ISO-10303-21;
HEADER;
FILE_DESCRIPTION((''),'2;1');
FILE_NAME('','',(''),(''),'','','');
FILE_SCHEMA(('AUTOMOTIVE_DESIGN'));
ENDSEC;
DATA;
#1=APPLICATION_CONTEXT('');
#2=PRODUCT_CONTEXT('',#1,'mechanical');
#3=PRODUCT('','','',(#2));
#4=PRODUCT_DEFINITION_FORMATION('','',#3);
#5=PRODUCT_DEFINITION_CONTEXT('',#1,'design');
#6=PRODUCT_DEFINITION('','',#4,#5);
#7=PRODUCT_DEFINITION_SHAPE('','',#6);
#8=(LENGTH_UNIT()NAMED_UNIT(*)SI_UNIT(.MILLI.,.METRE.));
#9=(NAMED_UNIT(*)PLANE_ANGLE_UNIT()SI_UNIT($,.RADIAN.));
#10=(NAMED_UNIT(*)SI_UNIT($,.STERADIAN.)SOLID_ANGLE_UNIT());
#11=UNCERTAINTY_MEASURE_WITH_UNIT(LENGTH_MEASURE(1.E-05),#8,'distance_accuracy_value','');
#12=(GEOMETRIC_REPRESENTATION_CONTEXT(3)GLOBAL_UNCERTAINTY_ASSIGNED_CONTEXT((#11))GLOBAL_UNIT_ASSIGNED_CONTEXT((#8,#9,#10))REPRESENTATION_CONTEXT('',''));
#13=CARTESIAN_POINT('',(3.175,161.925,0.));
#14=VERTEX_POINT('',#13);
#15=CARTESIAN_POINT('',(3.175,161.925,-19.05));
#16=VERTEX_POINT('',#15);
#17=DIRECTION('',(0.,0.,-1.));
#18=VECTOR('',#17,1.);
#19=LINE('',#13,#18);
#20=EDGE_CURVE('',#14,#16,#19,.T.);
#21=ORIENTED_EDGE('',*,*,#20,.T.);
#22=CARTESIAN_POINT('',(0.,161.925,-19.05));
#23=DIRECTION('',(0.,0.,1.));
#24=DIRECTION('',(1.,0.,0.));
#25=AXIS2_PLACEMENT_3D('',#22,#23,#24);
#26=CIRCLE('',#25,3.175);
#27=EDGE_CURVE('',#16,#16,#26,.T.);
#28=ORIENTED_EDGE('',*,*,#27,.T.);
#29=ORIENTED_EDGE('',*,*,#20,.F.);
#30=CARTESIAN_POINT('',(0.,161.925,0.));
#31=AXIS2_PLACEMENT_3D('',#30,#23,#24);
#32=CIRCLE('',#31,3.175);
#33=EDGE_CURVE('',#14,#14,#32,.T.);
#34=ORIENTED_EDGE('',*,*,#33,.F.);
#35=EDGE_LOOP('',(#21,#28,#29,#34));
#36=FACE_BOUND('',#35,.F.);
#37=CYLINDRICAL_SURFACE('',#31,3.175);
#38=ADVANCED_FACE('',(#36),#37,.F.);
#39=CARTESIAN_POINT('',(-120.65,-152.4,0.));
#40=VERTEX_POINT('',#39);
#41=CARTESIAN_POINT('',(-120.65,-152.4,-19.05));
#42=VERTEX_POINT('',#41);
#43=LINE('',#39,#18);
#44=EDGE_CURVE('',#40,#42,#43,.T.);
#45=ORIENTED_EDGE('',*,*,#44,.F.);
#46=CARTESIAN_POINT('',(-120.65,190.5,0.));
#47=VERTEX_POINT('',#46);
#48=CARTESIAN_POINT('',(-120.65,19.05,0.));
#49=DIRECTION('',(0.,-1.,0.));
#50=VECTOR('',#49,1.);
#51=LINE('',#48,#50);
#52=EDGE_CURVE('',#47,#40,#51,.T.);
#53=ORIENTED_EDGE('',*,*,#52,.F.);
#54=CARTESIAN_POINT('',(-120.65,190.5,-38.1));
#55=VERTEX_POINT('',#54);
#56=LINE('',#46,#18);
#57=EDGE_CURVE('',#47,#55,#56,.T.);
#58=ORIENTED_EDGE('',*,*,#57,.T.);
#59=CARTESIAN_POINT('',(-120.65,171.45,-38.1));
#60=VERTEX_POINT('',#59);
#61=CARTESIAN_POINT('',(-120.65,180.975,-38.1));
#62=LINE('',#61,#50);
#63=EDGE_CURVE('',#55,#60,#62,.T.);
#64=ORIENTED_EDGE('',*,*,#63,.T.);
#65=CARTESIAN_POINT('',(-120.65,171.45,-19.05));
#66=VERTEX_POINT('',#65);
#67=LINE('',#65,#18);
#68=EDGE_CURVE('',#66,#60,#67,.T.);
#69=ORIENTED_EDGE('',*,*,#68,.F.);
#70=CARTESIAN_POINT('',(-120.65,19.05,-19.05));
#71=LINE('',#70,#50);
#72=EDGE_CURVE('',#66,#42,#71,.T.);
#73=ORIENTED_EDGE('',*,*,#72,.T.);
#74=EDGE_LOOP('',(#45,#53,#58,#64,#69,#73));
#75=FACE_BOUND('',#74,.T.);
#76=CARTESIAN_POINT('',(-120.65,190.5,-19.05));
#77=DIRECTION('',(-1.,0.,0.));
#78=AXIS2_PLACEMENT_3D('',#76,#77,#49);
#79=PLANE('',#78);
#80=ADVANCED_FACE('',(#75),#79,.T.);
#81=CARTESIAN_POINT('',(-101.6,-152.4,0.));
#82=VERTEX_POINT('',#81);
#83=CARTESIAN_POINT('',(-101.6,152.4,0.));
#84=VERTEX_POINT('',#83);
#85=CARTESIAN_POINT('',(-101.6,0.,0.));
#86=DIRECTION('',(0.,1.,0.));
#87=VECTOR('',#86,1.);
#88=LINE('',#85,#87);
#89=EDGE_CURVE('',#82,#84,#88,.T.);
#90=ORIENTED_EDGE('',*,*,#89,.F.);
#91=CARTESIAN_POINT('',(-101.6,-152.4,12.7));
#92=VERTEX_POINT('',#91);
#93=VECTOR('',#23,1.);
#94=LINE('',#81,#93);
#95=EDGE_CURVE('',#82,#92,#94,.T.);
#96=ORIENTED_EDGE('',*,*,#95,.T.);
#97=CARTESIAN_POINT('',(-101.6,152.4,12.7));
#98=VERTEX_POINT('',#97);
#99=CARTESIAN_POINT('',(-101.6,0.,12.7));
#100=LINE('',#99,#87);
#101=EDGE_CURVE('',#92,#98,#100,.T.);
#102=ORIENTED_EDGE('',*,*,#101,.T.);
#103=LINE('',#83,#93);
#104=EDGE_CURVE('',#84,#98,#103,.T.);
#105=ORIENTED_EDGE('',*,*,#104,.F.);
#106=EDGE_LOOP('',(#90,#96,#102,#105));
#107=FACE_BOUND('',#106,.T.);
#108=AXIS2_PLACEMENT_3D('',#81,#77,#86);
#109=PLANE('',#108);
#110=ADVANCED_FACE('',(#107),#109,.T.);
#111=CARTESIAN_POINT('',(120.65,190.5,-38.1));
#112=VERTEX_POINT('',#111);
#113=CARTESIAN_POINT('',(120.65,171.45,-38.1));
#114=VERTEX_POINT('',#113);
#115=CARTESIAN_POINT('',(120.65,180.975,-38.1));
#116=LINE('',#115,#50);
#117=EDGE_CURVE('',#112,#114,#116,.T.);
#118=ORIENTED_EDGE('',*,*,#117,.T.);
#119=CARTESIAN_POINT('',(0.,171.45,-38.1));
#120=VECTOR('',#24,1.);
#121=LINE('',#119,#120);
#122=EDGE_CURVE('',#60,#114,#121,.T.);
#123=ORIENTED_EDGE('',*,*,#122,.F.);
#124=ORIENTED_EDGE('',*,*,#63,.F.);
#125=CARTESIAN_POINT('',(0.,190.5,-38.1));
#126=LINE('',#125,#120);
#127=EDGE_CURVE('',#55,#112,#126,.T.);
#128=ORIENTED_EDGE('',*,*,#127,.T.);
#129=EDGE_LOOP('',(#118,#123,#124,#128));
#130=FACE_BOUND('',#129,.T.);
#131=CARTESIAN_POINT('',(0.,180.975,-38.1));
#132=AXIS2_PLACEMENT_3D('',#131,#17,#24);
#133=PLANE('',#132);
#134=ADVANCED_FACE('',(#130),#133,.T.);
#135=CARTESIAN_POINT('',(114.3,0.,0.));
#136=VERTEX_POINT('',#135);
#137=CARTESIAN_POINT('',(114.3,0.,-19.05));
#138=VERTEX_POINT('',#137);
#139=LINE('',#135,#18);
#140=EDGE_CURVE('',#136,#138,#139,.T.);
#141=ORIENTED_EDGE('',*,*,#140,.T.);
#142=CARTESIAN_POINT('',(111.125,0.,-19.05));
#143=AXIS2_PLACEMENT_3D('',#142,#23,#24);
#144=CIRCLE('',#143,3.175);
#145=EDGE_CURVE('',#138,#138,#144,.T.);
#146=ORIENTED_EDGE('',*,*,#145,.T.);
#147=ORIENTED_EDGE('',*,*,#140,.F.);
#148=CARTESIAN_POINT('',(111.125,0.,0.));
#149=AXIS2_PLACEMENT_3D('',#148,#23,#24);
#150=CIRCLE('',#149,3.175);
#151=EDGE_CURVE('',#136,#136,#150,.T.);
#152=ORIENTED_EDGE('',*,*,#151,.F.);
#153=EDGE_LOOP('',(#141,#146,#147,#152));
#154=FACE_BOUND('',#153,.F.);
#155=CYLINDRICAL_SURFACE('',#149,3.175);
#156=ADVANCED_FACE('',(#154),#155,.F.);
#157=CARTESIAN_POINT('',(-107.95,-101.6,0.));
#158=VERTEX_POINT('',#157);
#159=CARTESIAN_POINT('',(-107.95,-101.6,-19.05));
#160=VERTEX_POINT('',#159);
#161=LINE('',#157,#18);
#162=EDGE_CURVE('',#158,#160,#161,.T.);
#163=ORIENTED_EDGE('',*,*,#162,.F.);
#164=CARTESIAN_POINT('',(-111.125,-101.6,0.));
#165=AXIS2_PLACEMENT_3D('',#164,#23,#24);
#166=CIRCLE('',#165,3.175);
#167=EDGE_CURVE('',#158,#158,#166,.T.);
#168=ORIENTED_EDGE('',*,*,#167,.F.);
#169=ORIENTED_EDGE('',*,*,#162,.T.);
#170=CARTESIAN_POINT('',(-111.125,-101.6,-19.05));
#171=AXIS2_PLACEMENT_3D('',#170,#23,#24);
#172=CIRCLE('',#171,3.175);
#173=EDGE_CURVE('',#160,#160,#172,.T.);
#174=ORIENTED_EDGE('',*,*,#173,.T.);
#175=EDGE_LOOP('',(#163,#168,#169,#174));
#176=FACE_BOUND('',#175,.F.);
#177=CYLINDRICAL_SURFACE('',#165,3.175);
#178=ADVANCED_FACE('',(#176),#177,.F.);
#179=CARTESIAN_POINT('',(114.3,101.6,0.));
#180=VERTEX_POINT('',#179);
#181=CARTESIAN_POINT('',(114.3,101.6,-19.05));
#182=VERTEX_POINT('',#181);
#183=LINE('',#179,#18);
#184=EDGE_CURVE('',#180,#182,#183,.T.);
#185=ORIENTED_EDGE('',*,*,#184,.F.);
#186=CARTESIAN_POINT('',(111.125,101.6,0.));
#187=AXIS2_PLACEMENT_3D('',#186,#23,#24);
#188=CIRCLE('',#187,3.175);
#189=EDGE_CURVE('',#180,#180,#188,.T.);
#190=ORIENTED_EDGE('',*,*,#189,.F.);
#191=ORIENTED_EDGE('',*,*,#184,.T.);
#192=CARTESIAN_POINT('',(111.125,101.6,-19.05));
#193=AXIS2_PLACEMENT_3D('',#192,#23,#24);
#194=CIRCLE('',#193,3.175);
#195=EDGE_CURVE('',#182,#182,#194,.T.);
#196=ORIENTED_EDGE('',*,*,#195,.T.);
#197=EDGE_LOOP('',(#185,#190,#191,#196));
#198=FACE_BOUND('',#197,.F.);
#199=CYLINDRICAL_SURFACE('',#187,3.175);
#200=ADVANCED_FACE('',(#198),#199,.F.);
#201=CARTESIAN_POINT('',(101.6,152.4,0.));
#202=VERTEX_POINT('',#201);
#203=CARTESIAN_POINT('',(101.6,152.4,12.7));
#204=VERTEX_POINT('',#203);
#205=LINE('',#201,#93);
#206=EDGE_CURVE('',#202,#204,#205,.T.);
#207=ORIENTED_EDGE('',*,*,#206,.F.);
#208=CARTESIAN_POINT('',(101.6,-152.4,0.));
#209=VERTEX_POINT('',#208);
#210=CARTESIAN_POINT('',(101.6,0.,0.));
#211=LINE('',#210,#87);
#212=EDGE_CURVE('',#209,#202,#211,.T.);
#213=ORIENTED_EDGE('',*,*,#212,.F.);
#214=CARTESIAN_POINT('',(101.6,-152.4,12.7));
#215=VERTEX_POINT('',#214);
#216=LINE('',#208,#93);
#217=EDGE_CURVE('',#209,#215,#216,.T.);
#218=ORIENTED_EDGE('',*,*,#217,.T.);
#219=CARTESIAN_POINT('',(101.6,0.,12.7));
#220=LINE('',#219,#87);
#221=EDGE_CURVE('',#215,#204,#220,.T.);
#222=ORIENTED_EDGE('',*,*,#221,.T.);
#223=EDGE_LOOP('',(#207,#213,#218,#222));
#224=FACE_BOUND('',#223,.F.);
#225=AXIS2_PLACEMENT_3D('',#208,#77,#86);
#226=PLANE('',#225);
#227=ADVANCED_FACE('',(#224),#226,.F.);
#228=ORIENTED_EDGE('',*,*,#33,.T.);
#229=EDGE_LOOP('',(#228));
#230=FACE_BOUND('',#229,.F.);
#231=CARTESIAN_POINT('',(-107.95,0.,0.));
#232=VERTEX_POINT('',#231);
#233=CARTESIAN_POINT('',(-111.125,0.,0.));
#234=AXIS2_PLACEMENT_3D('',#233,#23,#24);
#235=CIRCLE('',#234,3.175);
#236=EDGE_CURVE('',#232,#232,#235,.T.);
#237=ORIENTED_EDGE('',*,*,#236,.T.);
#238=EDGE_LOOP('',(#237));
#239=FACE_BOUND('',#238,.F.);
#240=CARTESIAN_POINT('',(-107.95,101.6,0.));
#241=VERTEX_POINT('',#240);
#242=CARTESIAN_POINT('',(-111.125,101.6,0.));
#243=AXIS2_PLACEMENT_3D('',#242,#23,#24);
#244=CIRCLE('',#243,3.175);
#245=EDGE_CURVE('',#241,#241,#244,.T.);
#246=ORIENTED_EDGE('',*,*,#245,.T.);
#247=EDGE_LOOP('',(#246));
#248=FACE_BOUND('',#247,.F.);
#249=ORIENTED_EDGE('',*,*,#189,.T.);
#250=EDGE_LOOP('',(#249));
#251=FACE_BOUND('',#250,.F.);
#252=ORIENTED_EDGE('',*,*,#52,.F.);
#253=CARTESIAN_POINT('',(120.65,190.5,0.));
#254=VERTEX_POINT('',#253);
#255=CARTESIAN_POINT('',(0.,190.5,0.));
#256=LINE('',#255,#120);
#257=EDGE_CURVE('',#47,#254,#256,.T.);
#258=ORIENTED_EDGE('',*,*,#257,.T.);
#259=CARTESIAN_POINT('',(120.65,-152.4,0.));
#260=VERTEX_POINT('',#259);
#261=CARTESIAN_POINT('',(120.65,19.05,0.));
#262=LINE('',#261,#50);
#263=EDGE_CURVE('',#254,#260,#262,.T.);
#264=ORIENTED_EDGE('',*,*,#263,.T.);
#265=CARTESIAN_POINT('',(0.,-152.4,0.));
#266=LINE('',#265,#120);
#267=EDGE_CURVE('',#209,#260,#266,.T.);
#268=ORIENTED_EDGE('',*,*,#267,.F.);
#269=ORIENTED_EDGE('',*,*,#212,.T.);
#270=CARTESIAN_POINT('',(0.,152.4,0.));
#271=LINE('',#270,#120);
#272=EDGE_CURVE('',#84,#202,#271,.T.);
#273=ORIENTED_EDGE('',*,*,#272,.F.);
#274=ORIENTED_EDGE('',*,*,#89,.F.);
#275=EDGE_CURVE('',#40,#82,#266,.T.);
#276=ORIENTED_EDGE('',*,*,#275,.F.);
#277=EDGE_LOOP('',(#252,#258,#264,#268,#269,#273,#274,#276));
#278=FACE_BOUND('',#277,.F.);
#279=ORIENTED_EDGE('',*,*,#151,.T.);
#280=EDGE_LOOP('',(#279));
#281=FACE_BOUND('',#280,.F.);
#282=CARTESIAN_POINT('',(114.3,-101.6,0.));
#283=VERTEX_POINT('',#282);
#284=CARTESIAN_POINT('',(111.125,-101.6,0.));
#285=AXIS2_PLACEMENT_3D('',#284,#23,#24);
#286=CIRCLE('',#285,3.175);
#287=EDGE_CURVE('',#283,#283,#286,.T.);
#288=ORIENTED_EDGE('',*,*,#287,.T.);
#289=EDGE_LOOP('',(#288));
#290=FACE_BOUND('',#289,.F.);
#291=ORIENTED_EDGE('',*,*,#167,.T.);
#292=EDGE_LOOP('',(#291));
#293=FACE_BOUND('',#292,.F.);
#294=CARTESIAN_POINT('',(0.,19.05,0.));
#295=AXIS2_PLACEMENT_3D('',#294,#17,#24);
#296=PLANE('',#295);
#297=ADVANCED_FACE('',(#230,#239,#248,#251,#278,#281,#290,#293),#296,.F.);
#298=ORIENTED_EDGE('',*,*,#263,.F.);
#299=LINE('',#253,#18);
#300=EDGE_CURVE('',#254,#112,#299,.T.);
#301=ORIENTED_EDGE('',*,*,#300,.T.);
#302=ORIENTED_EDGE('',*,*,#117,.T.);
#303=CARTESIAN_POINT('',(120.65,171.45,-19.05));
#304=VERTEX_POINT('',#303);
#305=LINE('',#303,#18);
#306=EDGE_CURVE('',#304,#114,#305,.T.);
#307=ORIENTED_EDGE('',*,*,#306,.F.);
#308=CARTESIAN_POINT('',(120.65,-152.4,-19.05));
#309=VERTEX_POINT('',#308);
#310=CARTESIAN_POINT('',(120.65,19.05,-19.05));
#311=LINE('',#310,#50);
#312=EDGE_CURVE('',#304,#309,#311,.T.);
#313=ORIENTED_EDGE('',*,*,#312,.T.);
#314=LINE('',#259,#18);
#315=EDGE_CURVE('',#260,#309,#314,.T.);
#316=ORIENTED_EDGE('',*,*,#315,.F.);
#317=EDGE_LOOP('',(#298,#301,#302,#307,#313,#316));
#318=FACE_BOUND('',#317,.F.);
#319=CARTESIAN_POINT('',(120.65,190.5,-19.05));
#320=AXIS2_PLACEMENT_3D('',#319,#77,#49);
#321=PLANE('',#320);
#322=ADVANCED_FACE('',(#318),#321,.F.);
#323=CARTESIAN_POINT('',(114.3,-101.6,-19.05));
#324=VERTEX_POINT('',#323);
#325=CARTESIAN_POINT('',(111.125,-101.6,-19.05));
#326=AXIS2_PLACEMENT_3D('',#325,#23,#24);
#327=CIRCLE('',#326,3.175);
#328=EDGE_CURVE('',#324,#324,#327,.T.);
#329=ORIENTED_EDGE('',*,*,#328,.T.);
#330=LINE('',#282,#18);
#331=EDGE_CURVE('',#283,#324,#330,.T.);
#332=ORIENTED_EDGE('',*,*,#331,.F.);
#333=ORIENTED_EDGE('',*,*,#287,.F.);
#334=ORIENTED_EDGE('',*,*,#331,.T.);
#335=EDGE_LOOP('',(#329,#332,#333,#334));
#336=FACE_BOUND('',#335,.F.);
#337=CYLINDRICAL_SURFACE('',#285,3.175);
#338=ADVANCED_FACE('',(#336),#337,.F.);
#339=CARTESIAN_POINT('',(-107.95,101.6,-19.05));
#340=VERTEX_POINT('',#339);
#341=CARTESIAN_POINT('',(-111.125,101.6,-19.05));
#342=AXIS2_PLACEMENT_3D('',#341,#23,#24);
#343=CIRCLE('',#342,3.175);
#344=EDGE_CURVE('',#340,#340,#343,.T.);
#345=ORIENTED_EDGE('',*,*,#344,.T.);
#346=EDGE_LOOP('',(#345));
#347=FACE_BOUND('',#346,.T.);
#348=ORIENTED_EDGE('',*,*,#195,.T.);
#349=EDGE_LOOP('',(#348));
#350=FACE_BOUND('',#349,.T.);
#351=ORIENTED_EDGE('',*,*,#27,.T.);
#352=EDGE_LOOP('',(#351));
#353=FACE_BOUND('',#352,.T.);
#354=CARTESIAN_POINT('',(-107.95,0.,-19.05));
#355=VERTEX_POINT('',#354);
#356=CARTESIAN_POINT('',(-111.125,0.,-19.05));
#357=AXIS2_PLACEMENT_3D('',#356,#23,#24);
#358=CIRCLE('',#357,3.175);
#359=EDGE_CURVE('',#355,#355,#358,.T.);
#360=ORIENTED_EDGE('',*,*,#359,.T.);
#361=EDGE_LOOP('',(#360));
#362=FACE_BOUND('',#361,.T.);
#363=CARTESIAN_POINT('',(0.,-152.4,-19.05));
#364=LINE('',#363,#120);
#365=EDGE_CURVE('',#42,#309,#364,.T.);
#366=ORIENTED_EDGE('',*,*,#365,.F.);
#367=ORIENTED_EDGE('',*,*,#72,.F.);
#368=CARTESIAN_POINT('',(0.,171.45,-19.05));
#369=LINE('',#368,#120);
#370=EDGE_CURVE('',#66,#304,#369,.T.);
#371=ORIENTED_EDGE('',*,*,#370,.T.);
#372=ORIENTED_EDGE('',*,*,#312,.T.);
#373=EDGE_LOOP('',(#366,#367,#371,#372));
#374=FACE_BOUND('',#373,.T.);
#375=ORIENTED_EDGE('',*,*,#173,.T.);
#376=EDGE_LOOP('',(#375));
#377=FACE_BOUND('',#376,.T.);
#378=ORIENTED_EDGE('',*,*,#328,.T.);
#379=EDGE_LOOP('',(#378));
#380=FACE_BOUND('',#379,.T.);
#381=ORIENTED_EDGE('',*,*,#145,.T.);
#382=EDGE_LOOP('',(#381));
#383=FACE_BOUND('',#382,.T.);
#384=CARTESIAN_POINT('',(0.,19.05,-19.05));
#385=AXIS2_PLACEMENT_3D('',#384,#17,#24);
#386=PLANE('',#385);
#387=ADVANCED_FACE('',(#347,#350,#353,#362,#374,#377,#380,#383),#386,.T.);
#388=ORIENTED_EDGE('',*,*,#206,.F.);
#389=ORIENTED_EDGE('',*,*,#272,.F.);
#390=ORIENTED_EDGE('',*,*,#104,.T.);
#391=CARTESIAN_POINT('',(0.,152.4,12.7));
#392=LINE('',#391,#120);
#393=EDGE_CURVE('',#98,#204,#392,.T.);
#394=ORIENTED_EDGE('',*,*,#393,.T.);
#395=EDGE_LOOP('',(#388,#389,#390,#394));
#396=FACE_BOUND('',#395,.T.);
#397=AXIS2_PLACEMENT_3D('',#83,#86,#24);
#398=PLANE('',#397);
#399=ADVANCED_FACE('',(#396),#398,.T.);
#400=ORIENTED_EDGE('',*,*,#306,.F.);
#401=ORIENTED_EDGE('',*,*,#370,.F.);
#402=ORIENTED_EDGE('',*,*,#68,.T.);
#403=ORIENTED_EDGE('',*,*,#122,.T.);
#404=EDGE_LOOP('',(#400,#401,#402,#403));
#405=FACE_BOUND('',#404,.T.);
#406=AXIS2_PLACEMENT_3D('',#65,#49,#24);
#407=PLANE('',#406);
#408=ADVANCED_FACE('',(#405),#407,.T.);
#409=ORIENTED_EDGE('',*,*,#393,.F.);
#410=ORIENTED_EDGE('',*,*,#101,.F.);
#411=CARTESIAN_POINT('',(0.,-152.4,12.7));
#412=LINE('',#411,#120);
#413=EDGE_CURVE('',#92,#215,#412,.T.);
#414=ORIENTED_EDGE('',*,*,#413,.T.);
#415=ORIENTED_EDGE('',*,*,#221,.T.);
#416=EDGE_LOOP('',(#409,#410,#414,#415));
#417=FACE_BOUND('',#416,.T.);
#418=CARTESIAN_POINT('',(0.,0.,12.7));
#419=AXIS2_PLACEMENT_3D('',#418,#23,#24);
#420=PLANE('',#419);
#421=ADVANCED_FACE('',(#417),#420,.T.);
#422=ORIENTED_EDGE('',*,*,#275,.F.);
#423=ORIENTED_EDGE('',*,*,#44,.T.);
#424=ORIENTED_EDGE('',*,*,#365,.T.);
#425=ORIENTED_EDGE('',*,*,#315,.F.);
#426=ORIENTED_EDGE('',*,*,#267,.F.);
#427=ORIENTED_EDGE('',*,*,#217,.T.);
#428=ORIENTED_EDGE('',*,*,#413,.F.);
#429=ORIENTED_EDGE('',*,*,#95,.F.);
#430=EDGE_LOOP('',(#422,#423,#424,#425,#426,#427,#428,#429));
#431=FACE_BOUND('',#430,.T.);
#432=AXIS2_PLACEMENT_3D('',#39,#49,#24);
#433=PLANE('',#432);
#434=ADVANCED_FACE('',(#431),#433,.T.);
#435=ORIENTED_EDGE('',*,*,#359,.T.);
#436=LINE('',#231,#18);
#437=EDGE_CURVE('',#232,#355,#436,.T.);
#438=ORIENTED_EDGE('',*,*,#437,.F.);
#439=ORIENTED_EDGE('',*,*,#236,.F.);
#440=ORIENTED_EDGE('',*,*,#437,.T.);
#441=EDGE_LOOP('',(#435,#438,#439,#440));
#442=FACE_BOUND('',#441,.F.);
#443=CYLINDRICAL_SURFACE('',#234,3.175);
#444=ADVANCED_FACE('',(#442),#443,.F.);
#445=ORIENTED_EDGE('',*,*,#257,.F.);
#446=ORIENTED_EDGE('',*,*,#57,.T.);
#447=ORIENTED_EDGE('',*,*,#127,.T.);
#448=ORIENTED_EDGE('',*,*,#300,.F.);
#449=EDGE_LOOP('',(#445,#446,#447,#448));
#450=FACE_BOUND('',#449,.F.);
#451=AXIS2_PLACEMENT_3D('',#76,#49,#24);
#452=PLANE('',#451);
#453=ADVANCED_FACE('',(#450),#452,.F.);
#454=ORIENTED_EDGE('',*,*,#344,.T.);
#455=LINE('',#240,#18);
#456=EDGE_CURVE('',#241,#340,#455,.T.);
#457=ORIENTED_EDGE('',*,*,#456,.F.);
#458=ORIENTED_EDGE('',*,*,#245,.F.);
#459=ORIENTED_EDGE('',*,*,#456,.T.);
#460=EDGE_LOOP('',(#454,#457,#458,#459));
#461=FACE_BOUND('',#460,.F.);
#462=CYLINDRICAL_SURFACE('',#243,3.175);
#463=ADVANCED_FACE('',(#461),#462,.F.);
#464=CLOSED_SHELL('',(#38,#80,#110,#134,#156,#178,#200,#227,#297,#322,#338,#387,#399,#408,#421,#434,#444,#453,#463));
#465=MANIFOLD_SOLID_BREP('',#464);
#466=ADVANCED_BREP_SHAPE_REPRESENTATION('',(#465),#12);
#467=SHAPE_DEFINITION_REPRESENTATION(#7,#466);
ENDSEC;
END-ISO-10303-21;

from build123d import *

# Parameters (mm, degrees)
F0_W     = 203.2
F0_H     = 304.8
F1_DEPTH = 12.7
F2_W     = 241.3
F2_H     = 342.9
F3_DEPTH = 19.05
F4_W     = 241.3
F4_H     = 19.05
F5_DEPTH = 19.05
F6_R     = 3.175
F7_DEPTH = 25.4


with BuildPart() as f1:
    # F0 (on Top) → F1 (new body)
    with BuildSketch(Plane.XY):
        Rectangle(F0_W, F0_H)
    extrude(amount=F1_DEPTH)

    # F2 (on face) → F3 (join)
    with BuildSketch(Plane(origin=(0, 0, 0), x_dir=(1, 0, 0), z_dir=(0, 0, -1))):
        with Locations((0, -19.05)):
            Rectangle(F2_W, F2_H)
    extrude(amount=F3_DEPTH)

    # F4 (on face) → F5 (join)
    with BuildSketch(Plane(origin=(0, 0, -19.05), x_dir=(1, 0, 0), z_dir=(0, 0, -1))):
        with Locations((0, -180.975)):
            Rectangle(F4_W, F4_H)
    extrude(amount=F5_DEPTH)

    # F6 (on face) → F7 (cut)
    with BuildSketch(Plane.XY):
        with Locations((0, 161.925)):
            Circle(F6_R)
        with Locations((111.125, 101.6)):
            Circle(F6_R)
        with Locations((111.125, -101.6)):
            Circle(F6_R)
        with Locations((111.125, 0)):
            Circle(F6_R)
        with Locations((-111.125, 101.6)):
            Circle(F6_R)
        with Locations((-111.125, 0)):
            Circle(F6_R)
        with Locations((-111.125, -101.6)):
            Circle(F6_R)
    extrude(amount=-F7_DEPTH, mode=Mode.SUBTRACT)


solid = f1.part
